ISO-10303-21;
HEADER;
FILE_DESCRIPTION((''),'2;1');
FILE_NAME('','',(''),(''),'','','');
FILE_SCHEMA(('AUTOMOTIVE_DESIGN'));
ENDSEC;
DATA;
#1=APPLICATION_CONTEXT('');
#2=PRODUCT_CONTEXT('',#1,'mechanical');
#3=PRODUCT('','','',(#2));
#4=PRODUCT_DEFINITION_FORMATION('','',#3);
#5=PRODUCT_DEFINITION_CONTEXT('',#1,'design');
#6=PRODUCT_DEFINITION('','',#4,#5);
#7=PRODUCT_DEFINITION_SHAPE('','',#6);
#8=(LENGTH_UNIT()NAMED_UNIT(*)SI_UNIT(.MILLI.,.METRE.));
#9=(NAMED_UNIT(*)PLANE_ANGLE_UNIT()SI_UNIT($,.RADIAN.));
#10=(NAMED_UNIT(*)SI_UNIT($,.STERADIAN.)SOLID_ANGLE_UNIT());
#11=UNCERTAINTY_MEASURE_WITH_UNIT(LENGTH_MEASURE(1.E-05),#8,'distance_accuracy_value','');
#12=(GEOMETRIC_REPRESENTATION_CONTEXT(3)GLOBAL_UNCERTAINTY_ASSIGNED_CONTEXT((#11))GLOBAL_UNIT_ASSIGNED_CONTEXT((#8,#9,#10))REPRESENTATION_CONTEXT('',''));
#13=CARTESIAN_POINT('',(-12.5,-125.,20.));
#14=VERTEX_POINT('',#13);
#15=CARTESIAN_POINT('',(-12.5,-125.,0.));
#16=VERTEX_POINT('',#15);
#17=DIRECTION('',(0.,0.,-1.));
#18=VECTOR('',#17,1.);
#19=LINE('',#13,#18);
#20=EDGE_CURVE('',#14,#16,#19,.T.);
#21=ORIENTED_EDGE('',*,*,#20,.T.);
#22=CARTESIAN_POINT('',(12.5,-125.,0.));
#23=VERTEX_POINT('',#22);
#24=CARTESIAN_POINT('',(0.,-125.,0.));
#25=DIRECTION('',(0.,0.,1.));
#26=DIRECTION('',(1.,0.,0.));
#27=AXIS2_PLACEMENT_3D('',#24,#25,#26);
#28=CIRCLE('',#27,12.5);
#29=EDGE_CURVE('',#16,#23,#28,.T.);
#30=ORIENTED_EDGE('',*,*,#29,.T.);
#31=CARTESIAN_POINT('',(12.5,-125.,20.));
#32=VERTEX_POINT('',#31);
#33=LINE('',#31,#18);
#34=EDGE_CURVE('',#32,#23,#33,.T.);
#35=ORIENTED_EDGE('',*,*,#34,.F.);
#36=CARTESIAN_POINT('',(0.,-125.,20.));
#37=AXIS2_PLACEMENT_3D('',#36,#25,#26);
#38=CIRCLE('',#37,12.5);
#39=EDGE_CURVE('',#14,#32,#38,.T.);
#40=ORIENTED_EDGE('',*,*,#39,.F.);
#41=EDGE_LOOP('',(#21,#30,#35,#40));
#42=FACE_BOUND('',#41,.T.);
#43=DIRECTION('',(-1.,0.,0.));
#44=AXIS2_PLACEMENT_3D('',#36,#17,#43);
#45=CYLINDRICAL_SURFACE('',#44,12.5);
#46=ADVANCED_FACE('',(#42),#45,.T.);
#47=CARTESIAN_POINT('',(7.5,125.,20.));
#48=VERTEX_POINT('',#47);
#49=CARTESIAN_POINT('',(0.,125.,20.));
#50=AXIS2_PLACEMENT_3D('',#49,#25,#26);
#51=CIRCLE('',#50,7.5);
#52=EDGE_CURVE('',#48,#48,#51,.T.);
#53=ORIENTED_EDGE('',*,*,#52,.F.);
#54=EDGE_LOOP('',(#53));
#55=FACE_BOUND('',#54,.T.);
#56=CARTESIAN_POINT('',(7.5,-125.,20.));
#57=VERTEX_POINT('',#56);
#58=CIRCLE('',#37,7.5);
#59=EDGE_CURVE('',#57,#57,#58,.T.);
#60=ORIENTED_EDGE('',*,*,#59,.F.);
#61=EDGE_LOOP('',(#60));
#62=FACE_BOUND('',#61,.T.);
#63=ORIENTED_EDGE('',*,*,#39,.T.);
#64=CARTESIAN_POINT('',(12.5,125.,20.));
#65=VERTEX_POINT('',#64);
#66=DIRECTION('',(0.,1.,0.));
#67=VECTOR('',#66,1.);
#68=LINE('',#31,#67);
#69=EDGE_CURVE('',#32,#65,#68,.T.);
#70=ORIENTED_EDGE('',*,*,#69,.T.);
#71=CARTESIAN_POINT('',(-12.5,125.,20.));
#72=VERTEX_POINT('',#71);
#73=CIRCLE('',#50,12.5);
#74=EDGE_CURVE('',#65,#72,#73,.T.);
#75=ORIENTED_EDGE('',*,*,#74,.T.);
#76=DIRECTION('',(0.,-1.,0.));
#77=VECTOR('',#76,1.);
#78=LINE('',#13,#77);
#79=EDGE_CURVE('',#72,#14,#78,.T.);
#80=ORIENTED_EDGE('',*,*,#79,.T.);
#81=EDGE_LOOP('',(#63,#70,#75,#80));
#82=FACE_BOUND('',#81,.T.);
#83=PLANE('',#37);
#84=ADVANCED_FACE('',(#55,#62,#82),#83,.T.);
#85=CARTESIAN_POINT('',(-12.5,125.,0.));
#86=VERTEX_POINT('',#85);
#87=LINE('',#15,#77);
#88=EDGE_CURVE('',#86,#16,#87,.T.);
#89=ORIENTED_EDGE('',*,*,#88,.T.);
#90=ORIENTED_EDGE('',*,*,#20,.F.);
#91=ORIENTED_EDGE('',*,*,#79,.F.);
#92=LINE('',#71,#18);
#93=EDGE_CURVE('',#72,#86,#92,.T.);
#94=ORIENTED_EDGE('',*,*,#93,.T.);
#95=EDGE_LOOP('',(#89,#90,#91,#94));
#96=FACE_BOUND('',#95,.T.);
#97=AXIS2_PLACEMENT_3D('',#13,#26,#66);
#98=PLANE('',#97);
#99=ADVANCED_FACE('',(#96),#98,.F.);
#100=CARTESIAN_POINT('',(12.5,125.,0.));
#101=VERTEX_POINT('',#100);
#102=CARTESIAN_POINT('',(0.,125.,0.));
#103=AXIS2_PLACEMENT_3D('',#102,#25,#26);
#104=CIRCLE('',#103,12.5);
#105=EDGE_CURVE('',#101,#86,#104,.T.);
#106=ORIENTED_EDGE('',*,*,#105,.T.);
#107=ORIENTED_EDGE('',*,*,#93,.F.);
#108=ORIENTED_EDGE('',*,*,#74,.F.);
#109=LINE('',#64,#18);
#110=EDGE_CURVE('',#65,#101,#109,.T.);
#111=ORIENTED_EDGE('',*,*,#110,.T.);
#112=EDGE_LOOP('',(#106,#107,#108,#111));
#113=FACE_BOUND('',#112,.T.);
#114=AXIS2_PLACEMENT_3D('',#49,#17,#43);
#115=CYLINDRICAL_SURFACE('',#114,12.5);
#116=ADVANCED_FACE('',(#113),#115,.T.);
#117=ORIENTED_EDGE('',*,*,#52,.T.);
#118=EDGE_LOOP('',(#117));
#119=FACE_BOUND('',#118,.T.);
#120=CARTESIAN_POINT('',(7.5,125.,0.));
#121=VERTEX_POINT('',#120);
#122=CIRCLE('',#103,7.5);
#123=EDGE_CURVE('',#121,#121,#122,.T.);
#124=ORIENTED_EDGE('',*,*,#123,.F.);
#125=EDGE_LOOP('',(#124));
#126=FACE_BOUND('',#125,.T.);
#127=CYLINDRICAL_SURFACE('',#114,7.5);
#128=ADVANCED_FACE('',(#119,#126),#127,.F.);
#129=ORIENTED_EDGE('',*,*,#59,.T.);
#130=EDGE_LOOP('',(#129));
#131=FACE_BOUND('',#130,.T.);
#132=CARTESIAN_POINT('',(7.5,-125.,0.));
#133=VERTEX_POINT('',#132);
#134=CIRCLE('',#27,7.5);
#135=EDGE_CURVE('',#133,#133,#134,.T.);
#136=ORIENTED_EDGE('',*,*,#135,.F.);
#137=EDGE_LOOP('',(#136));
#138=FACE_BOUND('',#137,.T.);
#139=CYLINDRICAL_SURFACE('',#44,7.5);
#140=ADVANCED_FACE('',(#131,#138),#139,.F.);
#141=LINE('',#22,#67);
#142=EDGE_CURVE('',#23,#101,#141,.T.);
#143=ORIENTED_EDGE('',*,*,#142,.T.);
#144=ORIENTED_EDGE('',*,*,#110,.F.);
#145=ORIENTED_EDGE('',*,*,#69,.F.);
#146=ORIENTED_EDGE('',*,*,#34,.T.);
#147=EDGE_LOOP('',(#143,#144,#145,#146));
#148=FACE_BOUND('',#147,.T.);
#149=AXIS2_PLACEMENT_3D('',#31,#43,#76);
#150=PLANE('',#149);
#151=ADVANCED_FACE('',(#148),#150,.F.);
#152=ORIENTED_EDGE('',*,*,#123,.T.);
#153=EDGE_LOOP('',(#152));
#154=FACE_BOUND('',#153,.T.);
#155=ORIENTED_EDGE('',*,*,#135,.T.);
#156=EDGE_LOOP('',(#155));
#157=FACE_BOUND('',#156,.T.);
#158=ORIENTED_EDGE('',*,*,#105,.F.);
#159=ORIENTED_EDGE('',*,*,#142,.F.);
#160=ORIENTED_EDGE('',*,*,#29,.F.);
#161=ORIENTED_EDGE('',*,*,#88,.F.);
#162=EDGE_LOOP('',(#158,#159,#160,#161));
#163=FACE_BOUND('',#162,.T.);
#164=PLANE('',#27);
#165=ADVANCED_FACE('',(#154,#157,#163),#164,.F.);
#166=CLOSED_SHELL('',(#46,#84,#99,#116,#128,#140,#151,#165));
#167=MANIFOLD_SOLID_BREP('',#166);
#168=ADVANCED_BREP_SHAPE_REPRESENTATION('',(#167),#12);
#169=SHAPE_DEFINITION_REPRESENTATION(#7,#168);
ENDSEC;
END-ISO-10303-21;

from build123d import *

# Parameters (mm, degrees)
SKETCH1_R           = 7.5
BOSS_EXTRUDE1_DEPTH = 20


with BuildPart() as part:
    # Sketch1 → Boss-Extrude1 (new body)
    with BuildSketch(Plane.XY):
        with BuildLine():
            Line((-12.5, -125), (-12.5, 125))
            ThreePointArc((-12.5, 125), (0, 137.5), (12.5, 125))
            Line((12.5, 125), (12.5, -125))
            ThreePointArc((12.5, -125), (0, -137.5), (-12.5, -125))
        make_face()
        with Locations((0, 125)):
            Circle(SKETCH1_R, mode=Mode.SUBTRACT)
        with Locations((0, -125)):
            Circle(SKETCH1_R, mode=Mode.SUBTRACT)
    extrude(amount=BOSS_EXTRUDE1_DEPTH)


solid = part.part
